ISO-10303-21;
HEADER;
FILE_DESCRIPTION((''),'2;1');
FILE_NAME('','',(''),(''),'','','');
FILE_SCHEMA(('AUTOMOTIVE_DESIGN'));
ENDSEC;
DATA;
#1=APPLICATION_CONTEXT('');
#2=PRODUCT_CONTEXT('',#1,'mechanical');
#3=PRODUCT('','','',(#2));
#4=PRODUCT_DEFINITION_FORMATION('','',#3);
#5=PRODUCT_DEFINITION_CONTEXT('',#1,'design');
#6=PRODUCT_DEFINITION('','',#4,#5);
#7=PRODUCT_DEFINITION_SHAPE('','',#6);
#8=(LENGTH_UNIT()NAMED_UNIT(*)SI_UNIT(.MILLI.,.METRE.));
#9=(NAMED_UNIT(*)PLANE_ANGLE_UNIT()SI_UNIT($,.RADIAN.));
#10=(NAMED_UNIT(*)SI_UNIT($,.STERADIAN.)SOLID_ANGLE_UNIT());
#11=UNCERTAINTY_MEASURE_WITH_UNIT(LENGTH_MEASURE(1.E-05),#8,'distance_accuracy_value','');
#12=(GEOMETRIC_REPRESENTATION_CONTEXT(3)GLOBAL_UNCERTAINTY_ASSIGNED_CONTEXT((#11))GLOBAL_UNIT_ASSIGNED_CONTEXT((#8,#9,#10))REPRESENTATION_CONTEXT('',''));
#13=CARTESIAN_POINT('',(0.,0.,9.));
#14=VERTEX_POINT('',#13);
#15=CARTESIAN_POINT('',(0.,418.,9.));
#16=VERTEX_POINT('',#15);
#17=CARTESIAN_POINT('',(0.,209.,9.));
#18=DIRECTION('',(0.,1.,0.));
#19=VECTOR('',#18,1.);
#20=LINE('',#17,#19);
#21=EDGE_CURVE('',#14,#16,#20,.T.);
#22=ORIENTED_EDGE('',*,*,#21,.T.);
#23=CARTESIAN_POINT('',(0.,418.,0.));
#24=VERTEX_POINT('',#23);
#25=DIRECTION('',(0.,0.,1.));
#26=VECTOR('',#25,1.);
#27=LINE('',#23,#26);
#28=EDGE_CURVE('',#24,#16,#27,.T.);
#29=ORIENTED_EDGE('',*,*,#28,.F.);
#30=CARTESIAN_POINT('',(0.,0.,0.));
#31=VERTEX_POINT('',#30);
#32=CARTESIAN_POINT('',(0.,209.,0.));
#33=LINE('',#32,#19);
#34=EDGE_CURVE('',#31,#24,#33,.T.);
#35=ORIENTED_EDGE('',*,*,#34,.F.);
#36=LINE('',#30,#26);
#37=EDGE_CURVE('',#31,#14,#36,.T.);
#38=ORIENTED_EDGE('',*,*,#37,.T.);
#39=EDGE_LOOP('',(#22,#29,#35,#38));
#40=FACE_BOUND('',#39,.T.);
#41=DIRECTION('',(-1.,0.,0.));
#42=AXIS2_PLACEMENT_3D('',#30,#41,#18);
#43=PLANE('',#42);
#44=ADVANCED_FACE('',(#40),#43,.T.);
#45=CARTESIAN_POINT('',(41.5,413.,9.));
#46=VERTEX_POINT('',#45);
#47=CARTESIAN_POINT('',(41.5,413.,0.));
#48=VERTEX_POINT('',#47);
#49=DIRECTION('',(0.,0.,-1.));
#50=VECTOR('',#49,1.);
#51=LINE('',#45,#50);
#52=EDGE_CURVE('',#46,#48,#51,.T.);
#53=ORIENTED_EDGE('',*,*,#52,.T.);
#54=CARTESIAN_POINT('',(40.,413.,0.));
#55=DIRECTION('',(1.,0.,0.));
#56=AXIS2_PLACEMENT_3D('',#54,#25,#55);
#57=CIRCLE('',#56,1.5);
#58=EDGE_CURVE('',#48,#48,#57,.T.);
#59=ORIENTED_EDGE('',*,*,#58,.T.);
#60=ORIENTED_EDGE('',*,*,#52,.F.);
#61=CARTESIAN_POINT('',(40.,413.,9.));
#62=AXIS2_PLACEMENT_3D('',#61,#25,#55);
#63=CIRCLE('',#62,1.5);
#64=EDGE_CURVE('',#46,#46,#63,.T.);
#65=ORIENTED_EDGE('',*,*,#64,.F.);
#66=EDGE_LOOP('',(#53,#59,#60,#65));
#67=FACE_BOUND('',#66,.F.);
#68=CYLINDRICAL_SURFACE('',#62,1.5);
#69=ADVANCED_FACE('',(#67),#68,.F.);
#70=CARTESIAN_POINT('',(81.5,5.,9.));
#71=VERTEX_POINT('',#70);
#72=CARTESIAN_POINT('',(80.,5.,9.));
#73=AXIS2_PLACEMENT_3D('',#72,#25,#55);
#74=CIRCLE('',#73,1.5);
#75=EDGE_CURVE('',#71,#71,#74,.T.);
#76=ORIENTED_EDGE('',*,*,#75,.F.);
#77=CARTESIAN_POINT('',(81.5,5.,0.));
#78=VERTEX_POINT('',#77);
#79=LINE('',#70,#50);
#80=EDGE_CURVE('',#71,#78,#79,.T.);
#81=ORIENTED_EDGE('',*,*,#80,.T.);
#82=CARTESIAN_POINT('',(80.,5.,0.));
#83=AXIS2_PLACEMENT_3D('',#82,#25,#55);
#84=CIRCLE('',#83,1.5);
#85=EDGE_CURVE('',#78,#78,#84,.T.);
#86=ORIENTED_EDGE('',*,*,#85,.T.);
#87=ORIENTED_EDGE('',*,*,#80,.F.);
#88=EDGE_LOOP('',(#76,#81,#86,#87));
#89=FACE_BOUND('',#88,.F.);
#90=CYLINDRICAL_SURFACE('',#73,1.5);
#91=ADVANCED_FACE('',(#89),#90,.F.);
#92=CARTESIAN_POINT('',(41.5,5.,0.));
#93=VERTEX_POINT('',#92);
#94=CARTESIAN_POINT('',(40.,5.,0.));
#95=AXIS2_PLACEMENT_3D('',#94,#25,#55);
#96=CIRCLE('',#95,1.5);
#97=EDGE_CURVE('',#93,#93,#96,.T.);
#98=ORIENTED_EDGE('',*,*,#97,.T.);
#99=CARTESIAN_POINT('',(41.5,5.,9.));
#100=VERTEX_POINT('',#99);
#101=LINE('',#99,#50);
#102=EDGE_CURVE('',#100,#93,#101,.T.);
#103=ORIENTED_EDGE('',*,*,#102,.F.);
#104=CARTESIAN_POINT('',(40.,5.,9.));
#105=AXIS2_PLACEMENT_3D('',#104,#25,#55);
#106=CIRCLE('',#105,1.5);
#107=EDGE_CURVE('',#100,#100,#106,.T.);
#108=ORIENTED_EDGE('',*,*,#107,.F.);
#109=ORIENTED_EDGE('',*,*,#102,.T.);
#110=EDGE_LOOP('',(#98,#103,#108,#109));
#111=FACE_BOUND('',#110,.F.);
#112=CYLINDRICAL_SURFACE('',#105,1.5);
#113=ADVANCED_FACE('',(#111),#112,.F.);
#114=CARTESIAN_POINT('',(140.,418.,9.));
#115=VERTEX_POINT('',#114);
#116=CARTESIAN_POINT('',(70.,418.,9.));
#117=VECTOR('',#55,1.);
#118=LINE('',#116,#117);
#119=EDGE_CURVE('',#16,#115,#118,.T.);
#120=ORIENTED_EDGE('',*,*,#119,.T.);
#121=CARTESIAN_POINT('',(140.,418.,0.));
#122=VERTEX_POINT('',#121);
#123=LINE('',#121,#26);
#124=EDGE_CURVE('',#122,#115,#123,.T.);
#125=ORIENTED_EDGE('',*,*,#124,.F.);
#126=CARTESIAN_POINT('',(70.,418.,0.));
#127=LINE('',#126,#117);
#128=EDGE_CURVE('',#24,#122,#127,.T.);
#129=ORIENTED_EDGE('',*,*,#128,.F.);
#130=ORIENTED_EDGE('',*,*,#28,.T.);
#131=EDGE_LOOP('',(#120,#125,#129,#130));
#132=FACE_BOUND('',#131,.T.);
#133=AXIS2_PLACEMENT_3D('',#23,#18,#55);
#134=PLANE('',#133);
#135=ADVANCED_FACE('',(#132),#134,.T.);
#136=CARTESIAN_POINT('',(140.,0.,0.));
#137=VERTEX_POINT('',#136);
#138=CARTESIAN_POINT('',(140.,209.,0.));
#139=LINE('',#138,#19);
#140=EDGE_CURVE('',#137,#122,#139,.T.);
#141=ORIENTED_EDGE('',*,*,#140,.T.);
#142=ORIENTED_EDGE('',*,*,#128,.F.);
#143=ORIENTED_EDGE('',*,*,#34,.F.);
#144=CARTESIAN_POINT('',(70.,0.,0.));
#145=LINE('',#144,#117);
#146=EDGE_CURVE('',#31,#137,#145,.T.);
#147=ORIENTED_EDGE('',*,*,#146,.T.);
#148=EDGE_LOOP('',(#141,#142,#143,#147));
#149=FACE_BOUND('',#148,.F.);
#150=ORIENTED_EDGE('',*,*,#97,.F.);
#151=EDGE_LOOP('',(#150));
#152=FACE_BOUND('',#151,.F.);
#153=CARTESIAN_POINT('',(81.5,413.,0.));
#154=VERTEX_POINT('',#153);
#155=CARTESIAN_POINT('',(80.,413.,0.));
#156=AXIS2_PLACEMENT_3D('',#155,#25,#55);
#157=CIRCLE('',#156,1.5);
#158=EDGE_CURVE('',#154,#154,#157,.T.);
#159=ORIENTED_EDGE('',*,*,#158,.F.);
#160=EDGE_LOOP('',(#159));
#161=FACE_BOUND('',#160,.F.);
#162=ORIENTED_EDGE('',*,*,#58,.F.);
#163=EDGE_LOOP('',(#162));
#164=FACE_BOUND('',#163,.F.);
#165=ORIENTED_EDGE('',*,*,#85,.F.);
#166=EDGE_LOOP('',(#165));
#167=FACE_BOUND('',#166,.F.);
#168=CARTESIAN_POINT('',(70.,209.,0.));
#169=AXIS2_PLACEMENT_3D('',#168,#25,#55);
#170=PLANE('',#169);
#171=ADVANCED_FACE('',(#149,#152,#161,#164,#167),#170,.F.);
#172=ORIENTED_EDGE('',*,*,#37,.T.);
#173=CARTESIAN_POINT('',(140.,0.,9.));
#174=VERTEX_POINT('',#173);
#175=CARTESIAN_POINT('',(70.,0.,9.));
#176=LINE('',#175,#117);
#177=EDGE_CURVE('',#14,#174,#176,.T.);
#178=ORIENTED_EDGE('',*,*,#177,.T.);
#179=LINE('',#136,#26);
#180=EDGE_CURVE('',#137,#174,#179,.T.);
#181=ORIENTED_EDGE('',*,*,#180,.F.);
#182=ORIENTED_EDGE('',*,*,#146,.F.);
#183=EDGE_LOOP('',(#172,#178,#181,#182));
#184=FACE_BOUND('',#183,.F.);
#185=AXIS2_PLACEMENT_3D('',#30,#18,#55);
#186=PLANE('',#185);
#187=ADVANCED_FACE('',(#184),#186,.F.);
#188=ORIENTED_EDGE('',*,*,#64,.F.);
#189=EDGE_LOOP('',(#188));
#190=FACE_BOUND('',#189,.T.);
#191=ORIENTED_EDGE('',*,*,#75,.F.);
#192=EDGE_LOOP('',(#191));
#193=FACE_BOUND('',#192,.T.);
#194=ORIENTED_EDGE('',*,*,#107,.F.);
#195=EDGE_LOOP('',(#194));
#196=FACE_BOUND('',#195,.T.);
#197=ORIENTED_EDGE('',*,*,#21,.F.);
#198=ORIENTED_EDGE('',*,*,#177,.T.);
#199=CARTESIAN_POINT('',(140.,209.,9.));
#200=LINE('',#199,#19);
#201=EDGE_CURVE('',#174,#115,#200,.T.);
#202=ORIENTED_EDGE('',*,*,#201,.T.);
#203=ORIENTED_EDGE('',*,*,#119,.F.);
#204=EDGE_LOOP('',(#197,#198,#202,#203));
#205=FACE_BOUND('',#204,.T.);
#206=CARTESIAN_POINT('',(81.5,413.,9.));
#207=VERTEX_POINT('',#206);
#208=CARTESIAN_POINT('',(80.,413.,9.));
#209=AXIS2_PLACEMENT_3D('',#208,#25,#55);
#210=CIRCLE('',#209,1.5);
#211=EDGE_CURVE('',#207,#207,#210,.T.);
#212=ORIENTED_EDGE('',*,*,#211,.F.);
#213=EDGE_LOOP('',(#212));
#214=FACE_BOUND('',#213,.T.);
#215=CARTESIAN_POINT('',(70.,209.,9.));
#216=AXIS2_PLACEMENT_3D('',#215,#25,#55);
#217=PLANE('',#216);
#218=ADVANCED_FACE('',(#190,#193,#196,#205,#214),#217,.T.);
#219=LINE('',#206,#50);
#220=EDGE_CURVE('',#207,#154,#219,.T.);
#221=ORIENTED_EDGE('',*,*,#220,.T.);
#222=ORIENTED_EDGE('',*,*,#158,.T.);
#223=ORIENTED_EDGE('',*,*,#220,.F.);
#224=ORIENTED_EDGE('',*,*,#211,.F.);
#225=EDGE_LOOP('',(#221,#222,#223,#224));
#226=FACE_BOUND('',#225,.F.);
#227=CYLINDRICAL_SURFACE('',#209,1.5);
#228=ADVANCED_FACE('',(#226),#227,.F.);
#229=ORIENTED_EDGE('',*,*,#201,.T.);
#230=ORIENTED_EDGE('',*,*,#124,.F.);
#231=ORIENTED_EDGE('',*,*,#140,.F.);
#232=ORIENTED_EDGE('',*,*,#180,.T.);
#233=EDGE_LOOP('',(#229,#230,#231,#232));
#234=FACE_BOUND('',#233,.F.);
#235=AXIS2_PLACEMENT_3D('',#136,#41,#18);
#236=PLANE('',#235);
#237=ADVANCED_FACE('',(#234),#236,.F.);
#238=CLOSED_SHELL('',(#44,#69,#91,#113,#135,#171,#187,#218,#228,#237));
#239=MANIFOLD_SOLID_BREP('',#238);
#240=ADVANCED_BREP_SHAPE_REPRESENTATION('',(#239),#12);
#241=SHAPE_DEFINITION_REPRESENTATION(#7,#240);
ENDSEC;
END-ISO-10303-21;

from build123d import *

# Parameters (mm, degrees)
SKETCH_W    = 140
SKETCH_H    = 418
PAD_DEPTH   = 9
SKETCH001_R = 1.5
HOLE_DEPTH  = 9.001


with BuildPart() as part:
    # Sketch → Pad (new body)
    with BuildSketch(Plane.XY):
        with Locations((70, 209)):
            Rectangle(SKETCH_W, SKETCH_H)
    extrude(amount=PAD_DEPTH)

    # Sketch001 (on Face6 of Pad) → Hole (cut, through all)
    with BuildSketch(Plane.XY.offset(9)):
        with Locations((40, 5)):
            Circle(SKETCH001_R)
        with Locations((80, 5)):
            Circle(SKETCH001_R)
        with Locations((145, 100)):
            Circle(SKETCH001_R)
        with Locations((145, 300)):
            Circle(SKETCH001_R)
        with Locations((40, 413)):
            Circle(SKETCH001_R)
        with Locations((80, 413)):
            Circle(SKETCH001_R)
        with Locations((145, 200)):
            Circle(SKETCH001_R)
    extrude(amount=-HOLE_DEPTH, mode=Mode.SUBTRACT)


solid = part.part
